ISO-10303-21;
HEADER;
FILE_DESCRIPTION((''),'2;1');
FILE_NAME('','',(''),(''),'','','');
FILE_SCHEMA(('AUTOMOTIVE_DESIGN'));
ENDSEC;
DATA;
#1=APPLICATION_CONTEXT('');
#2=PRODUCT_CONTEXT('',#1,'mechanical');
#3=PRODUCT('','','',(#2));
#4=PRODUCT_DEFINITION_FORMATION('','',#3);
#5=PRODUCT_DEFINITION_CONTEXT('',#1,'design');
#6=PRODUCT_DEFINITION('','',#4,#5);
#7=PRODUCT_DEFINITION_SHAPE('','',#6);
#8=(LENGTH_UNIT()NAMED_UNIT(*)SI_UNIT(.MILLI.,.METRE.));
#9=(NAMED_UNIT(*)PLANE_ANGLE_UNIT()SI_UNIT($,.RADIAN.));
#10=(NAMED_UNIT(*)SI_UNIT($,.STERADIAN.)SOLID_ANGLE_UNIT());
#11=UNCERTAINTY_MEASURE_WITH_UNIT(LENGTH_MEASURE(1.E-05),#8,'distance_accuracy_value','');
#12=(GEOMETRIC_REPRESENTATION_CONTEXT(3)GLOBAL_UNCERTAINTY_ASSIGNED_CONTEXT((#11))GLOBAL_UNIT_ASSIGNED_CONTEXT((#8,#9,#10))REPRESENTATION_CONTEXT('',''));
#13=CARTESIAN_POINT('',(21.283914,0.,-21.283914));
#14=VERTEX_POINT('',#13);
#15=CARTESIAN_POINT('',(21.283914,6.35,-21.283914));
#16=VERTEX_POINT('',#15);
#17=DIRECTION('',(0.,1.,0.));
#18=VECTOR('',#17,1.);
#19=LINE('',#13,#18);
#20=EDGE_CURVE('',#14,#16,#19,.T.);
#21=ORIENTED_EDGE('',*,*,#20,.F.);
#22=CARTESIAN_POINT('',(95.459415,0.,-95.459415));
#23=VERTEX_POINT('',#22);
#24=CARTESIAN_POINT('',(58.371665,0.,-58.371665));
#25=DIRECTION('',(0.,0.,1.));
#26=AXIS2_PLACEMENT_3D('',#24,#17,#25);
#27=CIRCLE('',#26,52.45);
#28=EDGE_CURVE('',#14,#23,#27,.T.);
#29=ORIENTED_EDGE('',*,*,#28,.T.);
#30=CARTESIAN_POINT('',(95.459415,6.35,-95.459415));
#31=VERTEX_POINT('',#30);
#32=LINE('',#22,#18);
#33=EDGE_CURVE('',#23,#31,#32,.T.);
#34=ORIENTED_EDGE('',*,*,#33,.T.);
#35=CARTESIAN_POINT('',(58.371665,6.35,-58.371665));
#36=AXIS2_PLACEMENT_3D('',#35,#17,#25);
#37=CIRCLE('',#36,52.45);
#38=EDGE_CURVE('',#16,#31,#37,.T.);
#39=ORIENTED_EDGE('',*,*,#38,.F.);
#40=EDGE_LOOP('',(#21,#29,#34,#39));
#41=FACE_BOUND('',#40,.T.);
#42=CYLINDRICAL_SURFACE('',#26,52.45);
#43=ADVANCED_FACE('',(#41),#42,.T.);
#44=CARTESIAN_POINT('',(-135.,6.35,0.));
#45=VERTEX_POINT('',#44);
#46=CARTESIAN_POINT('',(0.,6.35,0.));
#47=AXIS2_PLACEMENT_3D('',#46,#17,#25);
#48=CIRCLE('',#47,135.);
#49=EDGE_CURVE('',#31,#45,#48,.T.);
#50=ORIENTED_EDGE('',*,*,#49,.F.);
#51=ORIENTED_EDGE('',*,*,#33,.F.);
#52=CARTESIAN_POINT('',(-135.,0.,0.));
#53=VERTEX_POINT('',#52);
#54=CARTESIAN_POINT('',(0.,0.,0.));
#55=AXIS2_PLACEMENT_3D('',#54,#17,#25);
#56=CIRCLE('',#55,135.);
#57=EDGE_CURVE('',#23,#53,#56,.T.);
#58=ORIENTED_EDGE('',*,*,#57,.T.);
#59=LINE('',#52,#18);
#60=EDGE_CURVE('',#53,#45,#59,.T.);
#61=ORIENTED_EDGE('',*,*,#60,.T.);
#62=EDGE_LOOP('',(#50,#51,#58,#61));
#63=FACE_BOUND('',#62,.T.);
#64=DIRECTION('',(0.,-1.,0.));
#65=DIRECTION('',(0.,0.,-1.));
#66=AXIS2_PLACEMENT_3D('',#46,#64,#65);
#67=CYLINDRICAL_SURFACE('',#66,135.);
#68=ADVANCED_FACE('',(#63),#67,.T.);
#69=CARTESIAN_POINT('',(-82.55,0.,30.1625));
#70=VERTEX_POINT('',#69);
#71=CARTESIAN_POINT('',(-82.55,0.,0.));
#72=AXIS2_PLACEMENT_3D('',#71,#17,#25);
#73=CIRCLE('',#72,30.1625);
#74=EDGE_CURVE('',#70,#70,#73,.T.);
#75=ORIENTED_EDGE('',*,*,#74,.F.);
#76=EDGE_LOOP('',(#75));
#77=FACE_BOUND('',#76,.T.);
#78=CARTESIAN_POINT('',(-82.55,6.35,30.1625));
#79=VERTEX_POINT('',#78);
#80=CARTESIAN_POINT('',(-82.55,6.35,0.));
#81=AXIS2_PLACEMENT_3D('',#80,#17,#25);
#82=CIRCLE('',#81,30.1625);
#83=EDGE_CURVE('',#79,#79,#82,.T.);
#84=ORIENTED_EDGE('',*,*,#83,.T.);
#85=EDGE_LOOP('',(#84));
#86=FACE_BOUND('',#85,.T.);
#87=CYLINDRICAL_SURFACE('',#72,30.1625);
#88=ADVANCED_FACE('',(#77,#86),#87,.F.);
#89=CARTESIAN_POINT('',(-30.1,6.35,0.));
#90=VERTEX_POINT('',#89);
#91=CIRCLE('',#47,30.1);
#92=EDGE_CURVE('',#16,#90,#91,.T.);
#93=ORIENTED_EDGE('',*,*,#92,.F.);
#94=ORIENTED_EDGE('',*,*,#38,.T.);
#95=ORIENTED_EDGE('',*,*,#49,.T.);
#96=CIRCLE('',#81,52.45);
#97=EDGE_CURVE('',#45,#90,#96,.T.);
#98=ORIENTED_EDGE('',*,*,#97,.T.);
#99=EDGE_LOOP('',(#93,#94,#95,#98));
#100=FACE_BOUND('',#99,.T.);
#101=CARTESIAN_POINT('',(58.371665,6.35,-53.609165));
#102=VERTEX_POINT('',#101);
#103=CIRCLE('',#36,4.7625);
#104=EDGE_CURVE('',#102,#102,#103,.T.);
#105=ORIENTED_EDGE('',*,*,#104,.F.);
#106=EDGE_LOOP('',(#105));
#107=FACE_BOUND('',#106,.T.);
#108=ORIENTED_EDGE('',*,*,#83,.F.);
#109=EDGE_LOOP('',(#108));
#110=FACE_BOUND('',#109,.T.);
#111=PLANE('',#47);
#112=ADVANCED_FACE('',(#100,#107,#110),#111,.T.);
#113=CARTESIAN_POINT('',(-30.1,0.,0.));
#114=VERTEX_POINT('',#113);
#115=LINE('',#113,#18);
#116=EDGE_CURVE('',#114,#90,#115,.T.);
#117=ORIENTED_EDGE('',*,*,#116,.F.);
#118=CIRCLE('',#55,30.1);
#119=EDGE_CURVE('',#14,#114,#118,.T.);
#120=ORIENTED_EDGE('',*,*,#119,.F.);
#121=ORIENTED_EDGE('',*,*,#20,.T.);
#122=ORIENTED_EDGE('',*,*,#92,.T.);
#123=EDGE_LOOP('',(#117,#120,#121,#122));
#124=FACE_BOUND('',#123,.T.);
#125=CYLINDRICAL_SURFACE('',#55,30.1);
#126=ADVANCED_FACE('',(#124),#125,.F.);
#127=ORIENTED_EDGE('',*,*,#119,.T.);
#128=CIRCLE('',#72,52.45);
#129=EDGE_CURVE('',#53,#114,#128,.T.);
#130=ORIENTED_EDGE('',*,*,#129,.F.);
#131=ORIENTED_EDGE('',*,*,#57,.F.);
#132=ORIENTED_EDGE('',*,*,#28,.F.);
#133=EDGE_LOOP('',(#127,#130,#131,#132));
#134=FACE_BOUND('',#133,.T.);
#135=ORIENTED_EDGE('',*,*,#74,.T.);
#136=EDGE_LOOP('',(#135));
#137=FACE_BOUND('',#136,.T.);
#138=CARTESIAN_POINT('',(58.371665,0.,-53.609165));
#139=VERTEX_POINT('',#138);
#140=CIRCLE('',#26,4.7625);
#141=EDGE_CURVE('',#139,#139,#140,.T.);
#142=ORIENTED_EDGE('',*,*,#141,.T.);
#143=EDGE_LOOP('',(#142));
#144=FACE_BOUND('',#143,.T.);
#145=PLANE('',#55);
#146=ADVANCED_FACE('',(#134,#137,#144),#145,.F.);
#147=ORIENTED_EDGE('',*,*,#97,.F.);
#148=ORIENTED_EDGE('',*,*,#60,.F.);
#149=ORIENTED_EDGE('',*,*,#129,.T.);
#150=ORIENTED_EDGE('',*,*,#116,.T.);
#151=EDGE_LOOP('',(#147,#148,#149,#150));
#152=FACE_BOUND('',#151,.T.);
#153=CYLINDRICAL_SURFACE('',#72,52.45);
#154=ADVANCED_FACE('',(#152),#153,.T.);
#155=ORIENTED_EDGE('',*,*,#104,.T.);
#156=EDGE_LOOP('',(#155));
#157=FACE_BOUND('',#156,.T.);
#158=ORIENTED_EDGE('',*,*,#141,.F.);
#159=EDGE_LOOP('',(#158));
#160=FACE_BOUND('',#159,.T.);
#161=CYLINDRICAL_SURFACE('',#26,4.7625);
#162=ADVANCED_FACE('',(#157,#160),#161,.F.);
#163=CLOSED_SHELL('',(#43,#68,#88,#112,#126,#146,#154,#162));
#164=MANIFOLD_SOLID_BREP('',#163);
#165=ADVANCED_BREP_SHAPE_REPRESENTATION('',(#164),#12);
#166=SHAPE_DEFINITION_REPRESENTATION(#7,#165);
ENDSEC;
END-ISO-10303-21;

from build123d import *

# Parameters (mm, degrees)
SKETCH1_R           = 135
BOSS_EXTRUDE1_DEPTH = 6.35
SKETCH2_R           = 30.1625
CUT_EXTRUDE1_DEPTH  = 192.024402891
SKETCH3_R           = 4.7625
CUT_EXTRUDE2_DEPTH  = 192.024402891


with BuildPart() as part:
    # Sketch1 → Boss-Extrude1 (new body)
    with BuildSketch(Plane(origin=(0, 0, 0), x_dir=(1, 0, 0), z_dir=(0, 1, 0))):
        with Locations(Location((0, 0, 0), (0, 0, 270))):
            Circle(SKETCH1_R)
    extrude(amount=BOSS_EXTRUDE1_DEPTH)

    # Sketch2 → Cut-Extrude1 (cut, through all)
    with BuildSketch(Plane(origin=(0, 6.35, 0), x_dir=(1, 0, 0), z_dir=(0, 1, 0))):
        with BuildLine():
            ThreePointArc((-30.1, 0), (-82.55, -52.45), (-135, 0))
            ThreePointArc((-135, 0), (0, -135), (135, 0))
            ThreePointArc((135, 0), (124.723736889, 51.662263369), (95.45941546, 95.45941546))
            ThreePointArc((95.45941546, 95.45941546), (95.45941546, 21.283914114), (21.283914114, 21.283914114))
            ThreePointArc((21.283914114, 21.283914114), (-11.518771314, 27.808773929), (-30.1, 0))
        make_face()
        with Locations(Location((-82.55, 0, 0), (0, 0, 270))):
            Circle(SKETCH2_R)
    extrude(amount=-CUT_EXTRUDE1_DEPTH, mode=Mode.SUBTRACT)

    # Sketch3 → Cut-Extrude2 (cut, through all)
    with BuildSketch(Plane(origin=(0, 6.35, 0), x_dir=(1, 0, 0), z_dir=(0, 1, 0))):
        with Locations(Location((58.371664787, 58.371664787, 0), (0, 0, 270))):
            Circle(SKETCH3_R)
    extrude(amount=-CUT_EXTRUDE2_DEPTH, mode=Mode.SUBTRACT)


solid = part.part
